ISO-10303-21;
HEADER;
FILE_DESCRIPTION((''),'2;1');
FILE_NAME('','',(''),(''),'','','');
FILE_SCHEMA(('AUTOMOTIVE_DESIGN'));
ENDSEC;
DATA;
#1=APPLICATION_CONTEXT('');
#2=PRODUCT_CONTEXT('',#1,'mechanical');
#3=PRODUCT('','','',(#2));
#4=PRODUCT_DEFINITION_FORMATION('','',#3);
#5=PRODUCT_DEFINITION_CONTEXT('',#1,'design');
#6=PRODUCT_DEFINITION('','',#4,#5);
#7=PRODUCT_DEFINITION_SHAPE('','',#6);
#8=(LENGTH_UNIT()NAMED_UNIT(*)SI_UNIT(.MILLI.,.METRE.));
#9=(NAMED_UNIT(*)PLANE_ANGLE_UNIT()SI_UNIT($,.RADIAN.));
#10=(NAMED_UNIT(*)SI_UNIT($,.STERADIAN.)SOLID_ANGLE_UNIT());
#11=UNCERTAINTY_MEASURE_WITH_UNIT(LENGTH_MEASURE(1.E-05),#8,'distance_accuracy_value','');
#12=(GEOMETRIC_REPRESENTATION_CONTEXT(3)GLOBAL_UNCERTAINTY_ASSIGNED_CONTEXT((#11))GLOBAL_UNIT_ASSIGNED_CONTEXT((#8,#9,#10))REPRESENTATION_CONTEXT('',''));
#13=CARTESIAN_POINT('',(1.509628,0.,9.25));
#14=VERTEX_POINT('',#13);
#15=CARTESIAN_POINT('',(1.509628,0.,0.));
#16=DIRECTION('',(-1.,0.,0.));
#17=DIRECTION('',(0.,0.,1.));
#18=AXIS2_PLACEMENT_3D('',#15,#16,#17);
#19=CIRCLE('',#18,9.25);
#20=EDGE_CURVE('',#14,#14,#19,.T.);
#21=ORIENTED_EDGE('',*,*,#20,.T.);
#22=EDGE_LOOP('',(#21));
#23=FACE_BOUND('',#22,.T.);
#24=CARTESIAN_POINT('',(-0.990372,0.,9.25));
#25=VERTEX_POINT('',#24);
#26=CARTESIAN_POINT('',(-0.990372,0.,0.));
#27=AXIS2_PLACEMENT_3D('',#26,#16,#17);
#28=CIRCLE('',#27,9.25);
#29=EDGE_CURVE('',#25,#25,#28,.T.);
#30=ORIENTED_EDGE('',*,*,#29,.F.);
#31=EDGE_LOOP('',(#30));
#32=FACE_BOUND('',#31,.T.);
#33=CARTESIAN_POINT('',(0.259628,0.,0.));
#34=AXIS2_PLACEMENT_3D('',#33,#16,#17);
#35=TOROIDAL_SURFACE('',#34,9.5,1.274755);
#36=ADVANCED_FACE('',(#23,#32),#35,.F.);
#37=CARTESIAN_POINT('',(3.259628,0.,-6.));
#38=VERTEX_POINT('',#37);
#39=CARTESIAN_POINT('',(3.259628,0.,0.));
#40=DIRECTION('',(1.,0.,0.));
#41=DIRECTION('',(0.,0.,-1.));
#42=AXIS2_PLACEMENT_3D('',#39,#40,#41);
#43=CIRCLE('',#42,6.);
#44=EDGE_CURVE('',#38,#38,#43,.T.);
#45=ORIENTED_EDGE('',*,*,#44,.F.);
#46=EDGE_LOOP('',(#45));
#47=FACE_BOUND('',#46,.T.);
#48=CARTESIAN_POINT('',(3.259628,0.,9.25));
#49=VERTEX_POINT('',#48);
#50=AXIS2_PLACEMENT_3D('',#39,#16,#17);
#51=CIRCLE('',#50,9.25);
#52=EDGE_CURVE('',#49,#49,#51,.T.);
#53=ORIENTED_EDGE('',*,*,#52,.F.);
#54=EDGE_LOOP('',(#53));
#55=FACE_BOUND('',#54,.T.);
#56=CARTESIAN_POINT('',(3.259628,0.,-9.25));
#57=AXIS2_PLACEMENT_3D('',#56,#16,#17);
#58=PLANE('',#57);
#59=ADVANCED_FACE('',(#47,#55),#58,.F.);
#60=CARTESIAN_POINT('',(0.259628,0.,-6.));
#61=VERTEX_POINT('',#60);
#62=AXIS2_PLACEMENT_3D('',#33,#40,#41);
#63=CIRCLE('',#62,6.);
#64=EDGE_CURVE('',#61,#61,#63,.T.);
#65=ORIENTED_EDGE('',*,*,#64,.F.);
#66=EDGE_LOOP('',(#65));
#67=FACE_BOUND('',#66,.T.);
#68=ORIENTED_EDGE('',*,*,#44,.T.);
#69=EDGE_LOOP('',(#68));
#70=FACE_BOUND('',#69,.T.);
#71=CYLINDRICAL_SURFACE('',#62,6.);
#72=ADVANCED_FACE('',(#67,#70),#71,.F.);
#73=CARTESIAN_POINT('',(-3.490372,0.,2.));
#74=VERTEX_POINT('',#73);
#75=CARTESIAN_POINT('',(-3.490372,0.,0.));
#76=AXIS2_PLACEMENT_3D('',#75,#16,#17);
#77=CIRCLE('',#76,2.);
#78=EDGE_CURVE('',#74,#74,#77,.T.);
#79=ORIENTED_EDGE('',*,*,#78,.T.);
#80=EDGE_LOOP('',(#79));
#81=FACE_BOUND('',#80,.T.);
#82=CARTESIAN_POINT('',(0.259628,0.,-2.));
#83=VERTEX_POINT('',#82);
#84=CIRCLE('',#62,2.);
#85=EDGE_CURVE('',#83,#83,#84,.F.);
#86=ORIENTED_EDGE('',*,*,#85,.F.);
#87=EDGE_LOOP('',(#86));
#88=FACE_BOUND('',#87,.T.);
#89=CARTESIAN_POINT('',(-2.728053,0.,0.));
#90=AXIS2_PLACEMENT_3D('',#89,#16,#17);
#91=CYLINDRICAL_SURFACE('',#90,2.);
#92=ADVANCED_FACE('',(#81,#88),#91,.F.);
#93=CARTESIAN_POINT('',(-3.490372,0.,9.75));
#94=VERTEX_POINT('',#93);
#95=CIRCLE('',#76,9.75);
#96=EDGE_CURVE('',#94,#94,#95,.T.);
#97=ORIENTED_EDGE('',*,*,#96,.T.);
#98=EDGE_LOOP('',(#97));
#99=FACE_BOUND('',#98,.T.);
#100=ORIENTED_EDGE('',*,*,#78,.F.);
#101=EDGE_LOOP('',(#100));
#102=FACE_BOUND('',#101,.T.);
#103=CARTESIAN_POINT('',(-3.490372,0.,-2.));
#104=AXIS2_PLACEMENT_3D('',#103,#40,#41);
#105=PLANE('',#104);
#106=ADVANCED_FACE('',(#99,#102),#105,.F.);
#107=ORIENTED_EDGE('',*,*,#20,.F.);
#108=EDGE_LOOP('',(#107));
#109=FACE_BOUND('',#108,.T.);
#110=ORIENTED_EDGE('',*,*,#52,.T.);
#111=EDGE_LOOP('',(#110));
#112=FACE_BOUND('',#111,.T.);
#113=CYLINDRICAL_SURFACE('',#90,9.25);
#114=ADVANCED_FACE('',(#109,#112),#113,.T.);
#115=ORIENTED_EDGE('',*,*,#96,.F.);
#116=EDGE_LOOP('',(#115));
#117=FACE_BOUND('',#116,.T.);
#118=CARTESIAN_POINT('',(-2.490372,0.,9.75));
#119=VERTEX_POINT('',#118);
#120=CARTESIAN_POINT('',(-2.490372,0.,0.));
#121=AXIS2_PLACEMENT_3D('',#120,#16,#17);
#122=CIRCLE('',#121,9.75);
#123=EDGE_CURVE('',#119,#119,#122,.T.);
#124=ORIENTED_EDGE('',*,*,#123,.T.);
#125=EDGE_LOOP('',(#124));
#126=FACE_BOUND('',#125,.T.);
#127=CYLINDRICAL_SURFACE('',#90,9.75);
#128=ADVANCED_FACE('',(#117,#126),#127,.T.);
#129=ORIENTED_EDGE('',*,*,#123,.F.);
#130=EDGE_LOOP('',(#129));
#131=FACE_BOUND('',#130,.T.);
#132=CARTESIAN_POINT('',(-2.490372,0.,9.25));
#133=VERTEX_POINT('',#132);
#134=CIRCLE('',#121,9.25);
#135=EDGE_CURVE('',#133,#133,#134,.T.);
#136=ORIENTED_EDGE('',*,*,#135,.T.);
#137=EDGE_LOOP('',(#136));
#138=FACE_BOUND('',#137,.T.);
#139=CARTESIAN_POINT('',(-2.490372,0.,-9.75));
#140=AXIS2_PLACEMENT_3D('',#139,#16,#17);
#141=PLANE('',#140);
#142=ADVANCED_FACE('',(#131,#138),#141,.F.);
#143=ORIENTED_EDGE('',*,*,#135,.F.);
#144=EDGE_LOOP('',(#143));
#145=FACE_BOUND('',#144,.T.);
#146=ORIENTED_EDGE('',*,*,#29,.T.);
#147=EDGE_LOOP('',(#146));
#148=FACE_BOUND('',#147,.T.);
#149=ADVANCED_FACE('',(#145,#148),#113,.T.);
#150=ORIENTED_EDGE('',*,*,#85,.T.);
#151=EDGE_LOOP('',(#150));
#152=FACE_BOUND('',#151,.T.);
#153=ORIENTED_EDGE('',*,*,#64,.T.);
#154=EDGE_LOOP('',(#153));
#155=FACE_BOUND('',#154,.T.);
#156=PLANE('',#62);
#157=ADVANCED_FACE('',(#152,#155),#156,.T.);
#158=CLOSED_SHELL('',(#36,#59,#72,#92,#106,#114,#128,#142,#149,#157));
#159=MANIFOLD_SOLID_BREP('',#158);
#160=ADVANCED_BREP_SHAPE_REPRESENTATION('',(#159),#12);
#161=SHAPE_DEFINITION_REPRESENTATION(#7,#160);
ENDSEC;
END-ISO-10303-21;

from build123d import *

# Parameters (mm, degrees)
SKETCH2_R          = 6
CUT_EXTRUDE1_DEPTH = 3


with BuildPart() as part:
    # Sketch1 → Revolve1 (revolve)
    with BuildSketch(Plane(origin=(0, 0, 0), x_dir=(1, 0, 0), z_dir=(0, 1, 0)), mode=Mode.PRIVATE) as revolve1_sk:
        with BuildLine():
            Line((-3.490371622, 9.75), (-2.490371622, 9.75))
            Line((-2.490371622, 9.75), (-2.490371622, 9.25))
            Line((-2.490371622, 9.25), (-0.990371622, 9.25))
            ThreePointArc((-0.990371622, 9.25), (0.259628378, 8.225245122), (1.509628378, 9.25))
            Line((1.509628378, 9.25), (3.259628378, 9.25))
            Line((3.259628378, 9.25), (3.259628378, 2))
            Line((3.259628378, 2), (-3.490371622, 2))
            Line((-3.490371622, 2), (-3.490371622, 9.75))
        make_face()
    revolve(revolve1_sk.sketch.rotate(Axis((-2.728053472, 0, 0), (1, 0, 0)), 180), axis=Axis((-2.728053472, 0, 0), (1, 0, 0)))

    # Sketch2 → Cut-Extrude1 (cut)
    with BuildSketch(Plane(origin=(3.259628378, 0, 0), x_dir=(0, 0, -1), z_dir=(1, 0, 0))):
        Circle(SKETCH2_R)
    extrude(amount=-CUT_EXTRUDE1_DEPTH, mode=Mode.SUBTRACT)


solid = part.part
